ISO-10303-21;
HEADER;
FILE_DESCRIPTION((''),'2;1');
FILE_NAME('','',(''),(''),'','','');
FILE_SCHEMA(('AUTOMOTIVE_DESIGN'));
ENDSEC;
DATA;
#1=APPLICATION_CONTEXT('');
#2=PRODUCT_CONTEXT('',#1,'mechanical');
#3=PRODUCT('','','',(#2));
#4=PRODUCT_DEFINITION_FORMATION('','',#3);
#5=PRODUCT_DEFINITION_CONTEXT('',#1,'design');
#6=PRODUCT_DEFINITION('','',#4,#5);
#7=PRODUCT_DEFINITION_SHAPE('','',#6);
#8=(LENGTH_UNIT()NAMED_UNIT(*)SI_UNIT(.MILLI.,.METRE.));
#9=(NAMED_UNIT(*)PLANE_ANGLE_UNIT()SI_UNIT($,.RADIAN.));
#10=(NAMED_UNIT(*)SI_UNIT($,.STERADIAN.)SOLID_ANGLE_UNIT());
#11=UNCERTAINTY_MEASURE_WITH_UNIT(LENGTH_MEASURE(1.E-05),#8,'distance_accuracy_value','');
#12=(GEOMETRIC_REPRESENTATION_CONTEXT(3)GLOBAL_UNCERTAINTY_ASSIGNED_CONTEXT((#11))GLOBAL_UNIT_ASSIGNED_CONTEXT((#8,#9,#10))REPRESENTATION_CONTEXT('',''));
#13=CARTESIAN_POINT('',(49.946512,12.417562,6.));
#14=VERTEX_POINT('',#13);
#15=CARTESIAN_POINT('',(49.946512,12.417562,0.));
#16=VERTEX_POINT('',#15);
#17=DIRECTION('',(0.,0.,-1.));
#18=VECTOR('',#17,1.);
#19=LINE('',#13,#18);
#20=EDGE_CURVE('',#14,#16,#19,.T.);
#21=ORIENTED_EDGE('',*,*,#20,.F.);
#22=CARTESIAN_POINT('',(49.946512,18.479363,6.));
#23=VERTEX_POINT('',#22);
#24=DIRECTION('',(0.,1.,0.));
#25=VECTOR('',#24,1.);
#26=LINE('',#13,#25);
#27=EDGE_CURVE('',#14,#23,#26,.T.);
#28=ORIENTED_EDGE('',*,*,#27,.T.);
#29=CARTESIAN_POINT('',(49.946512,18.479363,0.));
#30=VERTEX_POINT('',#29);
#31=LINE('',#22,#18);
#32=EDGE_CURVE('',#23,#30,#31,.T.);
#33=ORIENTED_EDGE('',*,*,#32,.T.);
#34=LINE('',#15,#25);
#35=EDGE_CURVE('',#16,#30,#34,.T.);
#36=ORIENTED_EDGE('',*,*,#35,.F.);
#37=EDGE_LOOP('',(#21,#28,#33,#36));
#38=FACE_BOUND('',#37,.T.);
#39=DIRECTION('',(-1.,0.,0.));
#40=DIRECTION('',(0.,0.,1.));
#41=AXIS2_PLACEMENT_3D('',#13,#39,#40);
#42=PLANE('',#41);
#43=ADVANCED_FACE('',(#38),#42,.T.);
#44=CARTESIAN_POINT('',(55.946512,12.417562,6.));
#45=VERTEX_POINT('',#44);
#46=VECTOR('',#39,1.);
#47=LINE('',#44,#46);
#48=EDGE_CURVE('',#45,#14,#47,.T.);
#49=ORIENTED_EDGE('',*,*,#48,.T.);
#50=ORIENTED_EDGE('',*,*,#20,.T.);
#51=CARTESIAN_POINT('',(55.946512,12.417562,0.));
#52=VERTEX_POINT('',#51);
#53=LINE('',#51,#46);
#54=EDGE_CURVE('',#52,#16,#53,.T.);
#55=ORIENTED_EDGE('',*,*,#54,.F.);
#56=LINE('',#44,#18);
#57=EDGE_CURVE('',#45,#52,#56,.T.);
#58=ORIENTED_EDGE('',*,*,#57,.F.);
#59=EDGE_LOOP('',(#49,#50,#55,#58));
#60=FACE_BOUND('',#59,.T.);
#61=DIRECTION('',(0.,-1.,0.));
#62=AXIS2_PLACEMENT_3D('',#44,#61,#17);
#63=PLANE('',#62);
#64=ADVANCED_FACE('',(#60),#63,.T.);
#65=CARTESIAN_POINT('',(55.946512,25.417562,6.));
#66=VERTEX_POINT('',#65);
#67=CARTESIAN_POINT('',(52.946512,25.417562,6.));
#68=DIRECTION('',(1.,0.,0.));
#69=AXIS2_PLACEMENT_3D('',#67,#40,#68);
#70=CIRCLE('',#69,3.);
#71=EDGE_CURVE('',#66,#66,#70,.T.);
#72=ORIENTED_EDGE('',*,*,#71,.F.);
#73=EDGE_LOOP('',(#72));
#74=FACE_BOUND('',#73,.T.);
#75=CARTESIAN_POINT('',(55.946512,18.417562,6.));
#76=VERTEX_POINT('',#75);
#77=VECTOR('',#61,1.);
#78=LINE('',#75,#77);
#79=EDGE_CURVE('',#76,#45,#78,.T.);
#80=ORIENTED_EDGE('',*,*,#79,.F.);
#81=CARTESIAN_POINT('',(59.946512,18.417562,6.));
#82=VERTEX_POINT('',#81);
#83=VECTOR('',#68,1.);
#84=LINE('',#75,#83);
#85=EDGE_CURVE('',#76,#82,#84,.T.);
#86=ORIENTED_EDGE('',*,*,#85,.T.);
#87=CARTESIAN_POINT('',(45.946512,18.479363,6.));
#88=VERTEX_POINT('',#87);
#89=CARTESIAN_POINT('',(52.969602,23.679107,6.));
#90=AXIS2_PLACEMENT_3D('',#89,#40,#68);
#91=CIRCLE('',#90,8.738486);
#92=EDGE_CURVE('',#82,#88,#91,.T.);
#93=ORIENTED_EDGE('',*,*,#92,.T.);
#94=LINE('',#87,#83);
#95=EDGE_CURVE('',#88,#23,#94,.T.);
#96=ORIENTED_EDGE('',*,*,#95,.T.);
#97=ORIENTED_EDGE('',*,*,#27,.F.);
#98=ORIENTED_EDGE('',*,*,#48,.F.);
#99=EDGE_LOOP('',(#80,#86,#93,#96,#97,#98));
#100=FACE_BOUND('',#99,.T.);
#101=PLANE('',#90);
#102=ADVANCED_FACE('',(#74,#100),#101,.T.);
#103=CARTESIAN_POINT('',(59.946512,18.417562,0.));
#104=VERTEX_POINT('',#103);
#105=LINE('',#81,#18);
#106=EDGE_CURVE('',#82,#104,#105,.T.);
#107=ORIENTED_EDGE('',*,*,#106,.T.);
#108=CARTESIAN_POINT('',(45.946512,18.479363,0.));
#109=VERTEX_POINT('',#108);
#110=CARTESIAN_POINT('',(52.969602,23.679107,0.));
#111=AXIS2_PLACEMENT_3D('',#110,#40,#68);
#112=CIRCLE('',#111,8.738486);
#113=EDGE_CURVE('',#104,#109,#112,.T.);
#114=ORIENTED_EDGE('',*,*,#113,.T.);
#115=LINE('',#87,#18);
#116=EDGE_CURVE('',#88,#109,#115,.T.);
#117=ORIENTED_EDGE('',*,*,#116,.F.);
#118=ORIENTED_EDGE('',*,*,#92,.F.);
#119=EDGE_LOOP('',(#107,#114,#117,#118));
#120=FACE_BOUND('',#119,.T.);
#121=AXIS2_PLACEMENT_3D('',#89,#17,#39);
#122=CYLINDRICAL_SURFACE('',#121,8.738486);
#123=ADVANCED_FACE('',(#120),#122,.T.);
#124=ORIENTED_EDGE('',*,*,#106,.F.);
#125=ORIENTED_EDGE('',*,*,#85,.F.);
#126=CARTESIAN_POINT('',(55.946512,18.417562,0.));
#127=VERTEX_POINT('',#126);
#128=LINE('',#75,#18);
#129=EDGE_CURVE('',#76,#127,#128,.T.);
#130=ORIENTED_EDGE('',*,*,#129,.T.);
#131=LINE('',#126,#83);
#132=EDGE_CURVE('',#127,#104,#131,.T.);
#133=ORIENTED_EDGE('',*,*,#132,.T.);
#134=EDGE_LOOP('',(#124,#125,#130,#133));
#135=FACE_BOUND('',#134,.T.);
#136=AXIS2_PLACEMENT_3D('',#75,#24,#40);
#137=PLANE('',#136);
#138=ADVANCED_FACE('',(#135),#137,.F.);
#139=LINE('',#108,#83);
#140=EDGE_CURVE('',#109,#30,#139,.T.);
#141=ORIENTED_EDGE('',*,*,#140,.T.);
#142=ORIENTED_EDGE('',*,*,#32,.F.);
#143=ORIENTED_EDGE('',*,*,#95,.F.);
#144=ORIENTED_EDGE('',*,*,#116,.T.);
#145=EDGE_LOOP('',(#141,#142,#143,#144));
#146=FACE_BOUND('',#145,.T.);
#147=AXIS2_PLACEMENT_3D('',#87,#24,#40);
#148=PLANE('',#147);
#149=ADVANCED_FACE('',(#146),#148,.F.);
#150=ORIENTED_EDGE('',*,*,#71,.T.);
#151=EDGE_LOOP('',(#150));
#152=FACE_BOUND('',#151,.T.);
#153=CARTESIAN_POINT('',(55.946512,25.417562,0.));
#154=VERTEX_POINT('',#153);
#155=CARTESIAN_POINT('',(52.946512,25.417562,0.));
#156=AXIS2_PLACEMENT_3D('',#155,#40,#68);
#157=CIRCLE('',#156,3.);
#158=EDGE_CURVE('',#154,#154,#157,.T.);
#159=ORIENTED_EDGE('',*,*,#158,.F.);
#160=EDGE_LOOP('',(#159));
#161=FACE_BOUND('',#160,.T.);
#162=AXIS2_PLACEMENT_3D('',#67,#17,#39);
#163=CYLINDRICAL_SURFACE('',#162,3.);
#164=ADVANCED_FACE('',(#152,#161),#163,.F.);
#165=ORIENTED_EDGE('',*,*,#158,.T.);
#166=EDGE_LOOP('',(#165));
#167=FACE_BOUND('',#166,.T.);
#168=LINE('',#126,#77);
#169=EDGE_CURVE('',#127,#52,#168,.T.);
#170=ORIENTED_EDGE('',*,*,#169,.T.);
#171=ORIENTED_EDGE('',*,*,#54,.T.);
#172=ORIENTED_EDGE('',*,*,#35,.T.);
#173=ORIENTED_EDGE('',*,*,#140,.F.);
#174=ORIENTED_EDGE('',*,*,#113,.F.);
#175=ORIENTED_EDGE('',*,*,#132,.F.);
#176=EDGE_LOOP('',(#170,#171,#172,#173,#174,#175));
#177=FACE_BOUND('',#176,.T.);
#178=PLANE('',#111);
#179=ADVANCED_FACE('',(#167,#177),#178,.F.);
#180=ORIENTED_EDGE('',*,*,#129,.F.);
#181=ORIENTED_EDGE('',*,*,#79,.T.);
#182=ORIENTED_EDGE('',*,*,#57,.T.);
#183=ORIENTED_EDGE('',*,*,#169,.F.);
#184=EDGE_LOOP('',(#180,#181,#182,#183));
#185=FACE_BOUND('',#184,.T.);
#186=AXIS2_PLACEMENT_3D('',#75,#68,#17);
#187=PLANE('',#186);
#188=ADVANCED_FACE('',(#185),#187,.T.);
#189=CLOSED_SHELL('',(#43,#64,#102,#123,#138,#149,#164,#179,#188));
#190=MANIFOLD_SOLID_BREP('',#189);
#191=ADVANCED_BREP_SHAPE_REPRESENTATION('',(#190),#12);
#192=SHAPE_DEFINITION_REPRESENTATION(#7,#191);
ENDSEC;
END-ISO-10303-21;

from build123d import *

# Parameters (mm, degrees)
MODEL_R             = 3
BOSS_EXTRUDE1_DEPTH = 6


with BuildPart() as part:
    # Model → Boss-Extrude1 (new body)
    with BuildSketch(Plane.XY):
        with BuildLine():
            Line((55.946512191, 18.417561913), (55.946512191, 12.417561913))
            Line((55.946512191, 12.417561913), (49.946512191, 12.417561913))
            Line((49.946512191, 12.417561913), (49.946512191, 18.479362937))
            Line((49.946512191, 18.479362937), (45.946512191, 18.479362937))
            ThreePointArc((45.946512191, 18.479362937), (53.008176567, 32.417507278), (59.946512191, 18.417561913))
            Line((59.946512191, 18.417561913), (55.946512191, 18.417561913))
        make_face()
        with Locations((52.946512191, 25.417561913)):
            Circle(MODEL_R, mode=Mode.SUBTRACT)
    extrude(amount=BOSS_EXTRUDE1_DEPTH)


solid = part.part
